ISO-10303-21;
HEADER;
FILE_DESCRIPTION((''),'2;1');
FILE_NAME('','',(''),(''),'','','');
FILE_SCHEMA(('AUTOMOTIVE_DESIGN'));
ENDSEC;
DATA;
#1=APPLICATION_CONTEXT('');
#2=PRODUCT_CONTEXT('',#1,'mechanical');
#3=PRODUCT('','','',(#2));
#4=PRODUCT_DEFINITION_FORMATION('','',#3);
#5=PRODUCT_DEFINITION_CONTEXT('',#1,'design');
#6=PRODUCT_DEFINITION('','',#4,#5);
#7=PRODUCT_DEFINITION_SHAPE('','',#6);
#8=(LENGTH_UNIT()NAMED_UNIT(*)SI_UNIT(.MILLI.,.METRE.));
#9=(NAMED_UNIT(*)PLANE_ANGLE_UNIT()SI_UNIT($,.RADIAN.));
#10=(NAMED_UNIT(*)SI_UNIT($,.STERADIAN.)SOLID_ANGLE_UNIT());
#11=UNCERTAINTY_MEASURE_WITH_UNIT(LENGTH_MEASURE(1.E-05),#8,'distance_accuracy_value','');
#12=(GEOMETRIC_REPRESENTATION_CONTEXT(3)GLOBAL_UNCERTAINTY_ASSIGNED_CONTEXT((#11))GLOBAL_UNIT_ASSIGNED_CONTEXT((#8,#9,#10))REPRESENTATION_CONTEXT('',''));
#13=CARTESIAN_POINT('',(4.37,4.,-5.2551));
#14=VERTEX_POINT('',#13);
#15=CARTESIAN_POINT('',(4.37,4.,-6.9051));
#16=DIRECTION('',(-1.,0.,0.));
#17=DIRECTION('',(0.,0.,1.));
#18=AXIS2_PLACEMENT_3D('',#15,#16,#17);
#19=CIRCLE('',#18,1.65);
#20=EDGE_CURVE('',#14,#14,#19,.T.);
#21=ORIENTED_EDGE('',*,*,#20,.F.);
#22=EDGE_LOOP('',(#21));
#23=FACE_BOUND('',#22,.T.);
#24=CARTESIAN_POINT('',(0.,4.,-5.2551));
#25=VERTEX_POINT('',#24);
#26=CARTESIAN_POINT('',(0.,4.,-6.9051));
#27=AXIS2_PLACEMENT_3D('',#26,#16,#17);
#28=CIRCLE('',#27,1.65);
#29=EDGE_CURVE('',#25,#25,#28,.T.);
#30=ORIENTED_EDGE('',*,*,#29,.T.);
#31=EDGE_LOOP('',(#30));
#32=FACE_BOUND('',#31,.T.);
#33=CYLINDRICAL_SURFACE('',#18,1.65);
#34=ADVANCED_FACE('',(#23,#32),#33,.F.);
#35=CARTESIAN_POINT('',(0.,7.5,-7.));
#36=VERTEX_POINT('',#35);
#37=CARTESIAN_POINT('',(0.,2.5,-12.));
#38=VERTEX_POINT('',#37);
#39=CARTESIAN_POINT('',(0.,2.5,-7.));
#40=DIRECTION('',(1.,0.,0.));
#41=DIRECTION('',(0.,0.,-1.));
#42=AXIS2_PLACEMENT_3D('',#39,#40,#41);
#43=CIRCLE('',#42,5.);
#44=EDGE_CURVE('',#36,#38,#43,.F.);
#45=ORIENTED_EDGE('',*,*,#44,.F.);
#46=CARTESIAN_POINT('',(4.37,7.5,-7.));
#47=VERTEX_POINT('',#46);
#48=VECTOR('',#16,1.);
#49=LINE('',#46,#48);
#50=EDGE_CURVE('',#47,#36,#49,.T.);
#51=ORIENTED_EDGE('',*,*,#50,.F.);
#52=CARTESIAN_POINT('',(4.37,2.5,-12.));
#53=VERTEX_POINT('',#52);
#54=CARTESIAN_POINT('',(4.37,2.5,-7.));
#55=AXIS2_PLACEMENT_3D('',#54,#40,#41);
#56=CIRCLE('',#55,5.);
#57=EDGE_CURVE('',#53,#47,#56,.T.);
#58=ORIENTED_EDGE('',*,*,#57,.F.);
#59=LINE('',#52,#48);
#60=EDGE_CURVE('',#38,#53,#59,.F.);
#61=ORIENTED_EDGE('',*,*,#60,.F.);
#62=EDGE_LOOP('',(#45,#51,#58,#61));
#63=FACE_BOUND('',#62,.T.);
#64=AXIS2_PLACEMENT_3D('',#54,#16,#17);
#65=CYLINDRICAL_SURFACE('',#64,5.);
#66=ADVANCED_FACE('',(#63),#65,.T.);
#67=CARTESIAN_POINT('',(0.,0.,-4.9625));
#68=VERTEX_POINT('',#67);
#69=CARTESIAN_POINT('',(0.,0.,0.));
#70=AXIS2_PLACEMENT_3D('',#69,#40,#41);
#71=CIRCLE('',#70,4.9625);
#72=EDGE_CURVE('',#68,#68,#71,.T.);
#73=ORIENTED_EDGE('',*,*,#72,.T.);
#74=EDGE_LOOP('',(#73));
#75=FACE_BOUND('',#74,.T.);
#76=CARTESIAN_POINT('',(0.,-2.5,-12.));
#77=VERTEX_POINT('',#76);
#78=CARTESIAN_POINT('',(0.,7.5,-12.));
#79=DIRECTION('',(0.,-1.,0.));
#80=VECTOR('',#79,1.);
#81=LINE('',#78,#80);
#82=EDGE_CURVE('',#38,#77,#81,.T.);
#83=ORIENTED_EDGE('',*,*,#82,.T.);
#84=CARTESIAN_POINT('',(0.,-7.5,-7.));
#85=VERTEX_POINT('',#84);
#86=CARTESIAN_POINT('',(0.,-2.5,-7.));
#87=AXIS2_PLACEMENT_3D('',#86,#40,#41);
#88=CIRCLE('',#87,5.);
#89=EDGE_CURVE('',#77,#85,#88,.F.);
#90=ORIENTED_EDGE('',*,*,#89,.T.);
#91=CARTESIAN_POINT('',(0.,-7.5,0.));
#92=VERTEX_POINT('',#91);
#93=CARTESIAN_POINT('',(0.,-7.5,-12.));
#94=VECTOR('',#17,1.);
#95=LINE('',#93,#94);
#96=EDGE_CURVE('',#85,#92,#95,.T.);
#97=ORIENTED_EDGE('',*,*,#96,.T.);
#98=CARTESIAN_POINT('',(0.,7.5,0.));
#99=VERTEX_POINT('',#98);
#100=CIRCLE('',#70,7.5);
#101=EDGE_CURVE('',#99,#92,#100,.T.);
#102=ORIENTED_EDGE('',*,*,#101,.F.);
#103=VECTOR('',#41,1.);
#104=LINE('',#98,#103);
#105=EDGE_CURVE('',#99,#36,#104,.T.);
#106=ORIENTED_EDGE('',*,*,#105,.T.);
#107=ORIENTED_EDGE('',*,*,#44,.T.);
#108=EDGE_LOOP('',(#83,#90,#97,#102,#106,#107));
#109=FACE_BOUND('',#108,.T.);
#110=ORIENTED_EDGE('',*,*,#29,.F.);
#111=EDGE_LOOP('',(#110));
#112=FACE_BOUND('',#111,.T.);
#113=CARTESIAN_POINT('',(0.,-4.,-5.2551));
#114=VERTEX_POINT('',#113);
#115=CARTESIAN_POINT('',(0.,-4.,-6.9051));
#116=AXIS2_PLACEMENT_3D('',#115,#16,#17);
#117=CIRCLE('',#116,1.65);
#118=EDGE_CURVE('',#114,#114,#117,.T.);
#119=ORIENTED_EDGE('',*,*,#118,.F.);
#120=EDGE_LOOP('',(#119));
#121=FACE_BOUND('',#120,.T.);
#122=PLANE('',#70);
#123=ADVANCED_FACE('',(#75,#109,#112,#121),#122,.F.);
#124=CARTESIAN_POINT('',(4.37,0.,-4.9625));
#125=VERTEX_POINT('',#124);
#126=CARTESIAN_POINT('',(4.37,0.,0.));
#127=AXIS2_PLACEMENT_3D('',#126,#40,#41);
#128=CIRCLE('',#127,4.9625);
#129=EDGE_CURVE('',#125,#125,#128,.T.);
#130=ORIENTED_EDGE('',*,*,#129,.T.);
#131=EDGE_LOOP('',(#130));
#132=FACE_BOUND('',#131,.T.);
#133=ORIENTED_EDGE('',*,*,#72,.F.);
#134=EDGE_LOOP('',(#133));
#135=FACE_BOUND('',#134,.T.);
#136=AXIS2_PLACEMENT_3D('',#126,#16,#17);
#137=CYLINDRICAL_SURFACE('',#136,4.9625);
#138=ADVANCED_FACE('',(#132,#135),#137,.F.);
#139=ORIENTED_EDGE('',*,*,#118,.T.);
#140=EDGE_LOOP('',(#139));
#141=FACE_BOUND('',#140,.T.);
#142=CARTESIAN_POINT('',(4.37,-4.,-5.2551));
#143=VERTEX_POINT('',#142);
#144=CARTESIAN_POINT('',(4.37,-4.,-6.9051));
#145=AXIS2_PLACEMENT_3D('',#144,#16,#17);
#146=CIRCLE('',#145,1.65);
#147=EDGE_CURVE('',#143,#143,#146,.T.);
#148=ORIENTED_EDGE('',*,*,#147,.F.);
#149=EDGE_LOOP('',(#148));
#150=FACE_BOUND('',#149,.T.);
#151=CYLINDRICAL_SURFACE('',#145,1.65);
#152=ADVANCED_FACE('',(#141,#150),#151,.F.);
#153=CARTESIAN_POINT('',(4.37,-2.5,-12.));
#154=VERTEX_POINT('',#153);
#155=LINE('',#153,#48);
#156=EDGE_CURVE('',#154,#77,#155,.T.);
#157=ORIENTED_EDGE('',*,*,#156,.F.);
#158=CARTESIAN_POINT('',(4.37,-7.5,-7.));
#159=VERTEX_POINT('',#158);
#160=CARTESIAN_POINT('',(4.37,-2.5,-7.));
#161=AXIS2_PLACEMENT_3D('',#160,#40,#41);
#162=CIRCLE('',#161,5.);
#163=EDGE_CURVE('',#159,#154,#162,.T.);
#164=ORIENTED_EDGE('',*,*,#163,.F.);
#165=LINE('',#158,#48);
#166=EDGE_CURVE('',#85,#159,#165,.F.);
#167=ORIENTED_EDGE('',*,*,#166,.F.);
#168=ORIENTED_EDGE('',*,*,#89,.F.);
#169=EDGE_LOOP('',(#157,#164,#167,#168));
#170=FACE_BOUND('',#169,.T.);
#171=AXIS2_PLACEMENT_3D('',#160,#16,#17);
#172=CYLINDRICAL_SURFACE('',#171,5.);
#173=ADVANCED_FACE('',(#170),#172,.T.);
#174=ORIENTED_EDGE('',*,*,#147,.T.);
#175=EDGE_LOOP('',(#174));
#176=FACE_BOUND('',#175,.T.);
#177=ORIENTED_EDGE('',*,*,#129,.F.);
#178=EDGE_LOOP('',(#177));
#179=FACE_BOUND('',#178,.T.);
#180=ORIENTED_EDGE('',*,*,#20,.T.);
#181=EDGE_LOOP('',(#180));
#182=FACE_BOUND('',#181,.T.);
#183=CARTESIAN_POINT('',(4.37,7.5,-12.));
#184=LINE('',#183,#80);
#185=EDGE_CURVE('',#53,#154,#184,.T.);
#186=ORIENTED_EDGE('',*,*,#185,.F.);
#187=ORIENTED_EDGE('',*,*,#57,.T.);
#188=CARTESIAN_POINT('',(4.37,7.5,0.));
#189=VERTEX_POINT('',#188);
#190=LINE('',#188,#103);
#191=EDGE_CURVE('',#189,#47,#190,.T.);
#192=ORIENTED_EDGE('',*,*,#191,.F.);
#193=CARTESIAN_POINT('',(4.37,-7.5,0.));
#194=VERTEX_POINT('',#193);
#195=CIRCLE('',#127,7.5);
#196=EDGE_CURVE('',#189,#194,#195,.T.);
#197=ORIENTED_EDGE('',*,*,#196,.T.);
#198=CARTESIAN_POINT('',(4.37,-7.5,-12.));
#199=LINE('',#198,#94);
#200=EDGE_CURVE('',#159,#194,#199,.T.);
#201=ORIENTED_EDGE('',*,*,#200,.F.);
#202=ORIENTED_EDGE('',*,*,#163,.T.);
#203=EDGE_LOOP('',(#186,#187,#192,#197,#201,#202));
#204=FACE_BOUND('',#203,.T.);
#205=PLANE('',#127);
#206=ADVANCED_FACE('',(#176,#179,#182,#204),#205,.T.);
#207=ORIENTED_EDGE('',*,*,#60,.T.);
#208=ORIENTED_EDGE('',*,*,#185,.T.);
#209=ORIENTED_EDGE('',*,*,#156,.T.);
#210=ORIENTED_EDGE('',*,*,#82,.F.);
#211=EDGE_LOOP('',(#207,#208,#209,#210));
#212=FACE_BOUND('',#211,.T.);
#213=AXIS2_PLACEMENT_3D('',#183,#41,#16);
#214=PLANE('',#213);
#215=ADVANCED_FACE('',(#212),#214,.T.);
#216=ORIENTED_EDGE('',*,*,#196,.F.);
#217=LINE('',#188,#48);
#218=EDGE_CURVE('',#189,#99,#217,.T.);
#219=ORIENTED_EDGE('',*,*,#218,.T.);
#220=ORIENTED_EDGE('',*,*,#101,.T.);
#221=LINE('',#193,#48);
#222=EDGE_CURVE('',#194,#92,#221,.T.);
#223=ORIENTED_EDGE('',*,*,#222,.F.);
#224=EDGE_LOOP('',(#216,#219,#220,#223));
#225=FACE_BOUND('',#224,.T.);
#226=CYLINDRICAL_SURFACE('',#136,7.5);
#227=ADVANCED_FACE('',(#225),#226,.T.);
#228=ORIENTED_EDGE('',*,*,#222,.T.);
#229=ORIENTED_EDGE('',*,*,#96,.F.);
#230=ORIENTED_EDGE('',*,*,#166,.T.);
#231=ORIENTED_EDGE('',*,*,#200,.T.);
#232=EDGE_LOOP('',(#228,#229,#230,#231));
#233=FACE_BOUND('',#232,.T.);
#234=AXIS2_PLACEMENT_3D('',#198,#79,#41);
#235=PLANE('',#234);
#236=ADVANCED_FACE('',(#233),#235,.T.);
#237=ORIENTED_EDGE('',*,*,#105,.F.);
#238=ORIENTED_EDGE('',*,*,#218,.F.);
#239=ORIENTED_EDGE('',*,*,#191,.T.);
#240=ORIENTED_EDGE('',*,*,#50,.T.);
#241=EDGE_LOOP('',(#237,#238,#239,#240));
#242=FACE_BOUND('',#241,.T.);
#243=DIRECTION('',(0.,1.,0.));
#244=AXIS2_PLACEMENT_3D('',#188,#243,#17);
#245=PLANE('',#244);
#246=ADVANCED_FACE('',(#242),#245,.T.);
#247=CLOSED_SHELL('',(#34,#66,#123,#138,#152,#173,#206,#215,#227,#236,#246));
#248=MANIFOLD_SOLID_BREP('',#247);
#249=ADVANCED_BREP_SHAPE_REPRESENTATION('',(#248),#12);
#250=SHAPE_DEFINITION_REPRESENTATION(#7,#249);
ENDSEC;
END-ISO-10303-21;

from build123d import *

# Parameters (mm, degrees)
SKETCH1_R           = 4.9625
BOSS_EXTRUDE1_DEPTH = 4.37
FILLET1_R           = 5
SKETCH2_R           = 1.65
CUT_EXTRUDE1_DEPTH  = 5.37


with BuildPart() as part:
    # Sketch1 → Boss-Extrude1 (new body)
    with BuildSketch(Plane(origin=(0, 0, 0), x_dir=(0, 0, -1), z_dir=(1, 0, 0))):
        with BuildLine():
            Line((0, 7.5), (12, 7.5))
            Line((12, 7.5), (12, -7.5))
            Line((12, -7.5), (0, -7.5))
            ThreePointArc((0, -7.5), (-7.5, 0), (0, 7.5))
        make_face()
        Circle(SKETCH1_R, mode=Mode.SUBTRACT)
    extrude(amount=BOSS_EXTRUDE1_DEPTH)

    # Fillet1
    fillet1_edges = [part.edges().sort_by_distance(p)[0] for p in [
        (2.185, -7.5, -12),
        (2.185, 7.5, -12),
    ]]
    fillet(fillet1_edges, radius=FILLET1_R)

    # Sketch2 → Cut-Extrude1 (cut, through all)
    with BuildSketch(Plane.ZY):
        with Locations((-6.905099565, 4)):
            Circle(SKETCH2_R)
        with Locations((-6.905099565, -4)):
            Circle(SKETCH2_R)
    extrude(amount=-CUT_EXTRUDE1_DEPTH, mode=Mode.SUBTRACT)


solid = part.part
